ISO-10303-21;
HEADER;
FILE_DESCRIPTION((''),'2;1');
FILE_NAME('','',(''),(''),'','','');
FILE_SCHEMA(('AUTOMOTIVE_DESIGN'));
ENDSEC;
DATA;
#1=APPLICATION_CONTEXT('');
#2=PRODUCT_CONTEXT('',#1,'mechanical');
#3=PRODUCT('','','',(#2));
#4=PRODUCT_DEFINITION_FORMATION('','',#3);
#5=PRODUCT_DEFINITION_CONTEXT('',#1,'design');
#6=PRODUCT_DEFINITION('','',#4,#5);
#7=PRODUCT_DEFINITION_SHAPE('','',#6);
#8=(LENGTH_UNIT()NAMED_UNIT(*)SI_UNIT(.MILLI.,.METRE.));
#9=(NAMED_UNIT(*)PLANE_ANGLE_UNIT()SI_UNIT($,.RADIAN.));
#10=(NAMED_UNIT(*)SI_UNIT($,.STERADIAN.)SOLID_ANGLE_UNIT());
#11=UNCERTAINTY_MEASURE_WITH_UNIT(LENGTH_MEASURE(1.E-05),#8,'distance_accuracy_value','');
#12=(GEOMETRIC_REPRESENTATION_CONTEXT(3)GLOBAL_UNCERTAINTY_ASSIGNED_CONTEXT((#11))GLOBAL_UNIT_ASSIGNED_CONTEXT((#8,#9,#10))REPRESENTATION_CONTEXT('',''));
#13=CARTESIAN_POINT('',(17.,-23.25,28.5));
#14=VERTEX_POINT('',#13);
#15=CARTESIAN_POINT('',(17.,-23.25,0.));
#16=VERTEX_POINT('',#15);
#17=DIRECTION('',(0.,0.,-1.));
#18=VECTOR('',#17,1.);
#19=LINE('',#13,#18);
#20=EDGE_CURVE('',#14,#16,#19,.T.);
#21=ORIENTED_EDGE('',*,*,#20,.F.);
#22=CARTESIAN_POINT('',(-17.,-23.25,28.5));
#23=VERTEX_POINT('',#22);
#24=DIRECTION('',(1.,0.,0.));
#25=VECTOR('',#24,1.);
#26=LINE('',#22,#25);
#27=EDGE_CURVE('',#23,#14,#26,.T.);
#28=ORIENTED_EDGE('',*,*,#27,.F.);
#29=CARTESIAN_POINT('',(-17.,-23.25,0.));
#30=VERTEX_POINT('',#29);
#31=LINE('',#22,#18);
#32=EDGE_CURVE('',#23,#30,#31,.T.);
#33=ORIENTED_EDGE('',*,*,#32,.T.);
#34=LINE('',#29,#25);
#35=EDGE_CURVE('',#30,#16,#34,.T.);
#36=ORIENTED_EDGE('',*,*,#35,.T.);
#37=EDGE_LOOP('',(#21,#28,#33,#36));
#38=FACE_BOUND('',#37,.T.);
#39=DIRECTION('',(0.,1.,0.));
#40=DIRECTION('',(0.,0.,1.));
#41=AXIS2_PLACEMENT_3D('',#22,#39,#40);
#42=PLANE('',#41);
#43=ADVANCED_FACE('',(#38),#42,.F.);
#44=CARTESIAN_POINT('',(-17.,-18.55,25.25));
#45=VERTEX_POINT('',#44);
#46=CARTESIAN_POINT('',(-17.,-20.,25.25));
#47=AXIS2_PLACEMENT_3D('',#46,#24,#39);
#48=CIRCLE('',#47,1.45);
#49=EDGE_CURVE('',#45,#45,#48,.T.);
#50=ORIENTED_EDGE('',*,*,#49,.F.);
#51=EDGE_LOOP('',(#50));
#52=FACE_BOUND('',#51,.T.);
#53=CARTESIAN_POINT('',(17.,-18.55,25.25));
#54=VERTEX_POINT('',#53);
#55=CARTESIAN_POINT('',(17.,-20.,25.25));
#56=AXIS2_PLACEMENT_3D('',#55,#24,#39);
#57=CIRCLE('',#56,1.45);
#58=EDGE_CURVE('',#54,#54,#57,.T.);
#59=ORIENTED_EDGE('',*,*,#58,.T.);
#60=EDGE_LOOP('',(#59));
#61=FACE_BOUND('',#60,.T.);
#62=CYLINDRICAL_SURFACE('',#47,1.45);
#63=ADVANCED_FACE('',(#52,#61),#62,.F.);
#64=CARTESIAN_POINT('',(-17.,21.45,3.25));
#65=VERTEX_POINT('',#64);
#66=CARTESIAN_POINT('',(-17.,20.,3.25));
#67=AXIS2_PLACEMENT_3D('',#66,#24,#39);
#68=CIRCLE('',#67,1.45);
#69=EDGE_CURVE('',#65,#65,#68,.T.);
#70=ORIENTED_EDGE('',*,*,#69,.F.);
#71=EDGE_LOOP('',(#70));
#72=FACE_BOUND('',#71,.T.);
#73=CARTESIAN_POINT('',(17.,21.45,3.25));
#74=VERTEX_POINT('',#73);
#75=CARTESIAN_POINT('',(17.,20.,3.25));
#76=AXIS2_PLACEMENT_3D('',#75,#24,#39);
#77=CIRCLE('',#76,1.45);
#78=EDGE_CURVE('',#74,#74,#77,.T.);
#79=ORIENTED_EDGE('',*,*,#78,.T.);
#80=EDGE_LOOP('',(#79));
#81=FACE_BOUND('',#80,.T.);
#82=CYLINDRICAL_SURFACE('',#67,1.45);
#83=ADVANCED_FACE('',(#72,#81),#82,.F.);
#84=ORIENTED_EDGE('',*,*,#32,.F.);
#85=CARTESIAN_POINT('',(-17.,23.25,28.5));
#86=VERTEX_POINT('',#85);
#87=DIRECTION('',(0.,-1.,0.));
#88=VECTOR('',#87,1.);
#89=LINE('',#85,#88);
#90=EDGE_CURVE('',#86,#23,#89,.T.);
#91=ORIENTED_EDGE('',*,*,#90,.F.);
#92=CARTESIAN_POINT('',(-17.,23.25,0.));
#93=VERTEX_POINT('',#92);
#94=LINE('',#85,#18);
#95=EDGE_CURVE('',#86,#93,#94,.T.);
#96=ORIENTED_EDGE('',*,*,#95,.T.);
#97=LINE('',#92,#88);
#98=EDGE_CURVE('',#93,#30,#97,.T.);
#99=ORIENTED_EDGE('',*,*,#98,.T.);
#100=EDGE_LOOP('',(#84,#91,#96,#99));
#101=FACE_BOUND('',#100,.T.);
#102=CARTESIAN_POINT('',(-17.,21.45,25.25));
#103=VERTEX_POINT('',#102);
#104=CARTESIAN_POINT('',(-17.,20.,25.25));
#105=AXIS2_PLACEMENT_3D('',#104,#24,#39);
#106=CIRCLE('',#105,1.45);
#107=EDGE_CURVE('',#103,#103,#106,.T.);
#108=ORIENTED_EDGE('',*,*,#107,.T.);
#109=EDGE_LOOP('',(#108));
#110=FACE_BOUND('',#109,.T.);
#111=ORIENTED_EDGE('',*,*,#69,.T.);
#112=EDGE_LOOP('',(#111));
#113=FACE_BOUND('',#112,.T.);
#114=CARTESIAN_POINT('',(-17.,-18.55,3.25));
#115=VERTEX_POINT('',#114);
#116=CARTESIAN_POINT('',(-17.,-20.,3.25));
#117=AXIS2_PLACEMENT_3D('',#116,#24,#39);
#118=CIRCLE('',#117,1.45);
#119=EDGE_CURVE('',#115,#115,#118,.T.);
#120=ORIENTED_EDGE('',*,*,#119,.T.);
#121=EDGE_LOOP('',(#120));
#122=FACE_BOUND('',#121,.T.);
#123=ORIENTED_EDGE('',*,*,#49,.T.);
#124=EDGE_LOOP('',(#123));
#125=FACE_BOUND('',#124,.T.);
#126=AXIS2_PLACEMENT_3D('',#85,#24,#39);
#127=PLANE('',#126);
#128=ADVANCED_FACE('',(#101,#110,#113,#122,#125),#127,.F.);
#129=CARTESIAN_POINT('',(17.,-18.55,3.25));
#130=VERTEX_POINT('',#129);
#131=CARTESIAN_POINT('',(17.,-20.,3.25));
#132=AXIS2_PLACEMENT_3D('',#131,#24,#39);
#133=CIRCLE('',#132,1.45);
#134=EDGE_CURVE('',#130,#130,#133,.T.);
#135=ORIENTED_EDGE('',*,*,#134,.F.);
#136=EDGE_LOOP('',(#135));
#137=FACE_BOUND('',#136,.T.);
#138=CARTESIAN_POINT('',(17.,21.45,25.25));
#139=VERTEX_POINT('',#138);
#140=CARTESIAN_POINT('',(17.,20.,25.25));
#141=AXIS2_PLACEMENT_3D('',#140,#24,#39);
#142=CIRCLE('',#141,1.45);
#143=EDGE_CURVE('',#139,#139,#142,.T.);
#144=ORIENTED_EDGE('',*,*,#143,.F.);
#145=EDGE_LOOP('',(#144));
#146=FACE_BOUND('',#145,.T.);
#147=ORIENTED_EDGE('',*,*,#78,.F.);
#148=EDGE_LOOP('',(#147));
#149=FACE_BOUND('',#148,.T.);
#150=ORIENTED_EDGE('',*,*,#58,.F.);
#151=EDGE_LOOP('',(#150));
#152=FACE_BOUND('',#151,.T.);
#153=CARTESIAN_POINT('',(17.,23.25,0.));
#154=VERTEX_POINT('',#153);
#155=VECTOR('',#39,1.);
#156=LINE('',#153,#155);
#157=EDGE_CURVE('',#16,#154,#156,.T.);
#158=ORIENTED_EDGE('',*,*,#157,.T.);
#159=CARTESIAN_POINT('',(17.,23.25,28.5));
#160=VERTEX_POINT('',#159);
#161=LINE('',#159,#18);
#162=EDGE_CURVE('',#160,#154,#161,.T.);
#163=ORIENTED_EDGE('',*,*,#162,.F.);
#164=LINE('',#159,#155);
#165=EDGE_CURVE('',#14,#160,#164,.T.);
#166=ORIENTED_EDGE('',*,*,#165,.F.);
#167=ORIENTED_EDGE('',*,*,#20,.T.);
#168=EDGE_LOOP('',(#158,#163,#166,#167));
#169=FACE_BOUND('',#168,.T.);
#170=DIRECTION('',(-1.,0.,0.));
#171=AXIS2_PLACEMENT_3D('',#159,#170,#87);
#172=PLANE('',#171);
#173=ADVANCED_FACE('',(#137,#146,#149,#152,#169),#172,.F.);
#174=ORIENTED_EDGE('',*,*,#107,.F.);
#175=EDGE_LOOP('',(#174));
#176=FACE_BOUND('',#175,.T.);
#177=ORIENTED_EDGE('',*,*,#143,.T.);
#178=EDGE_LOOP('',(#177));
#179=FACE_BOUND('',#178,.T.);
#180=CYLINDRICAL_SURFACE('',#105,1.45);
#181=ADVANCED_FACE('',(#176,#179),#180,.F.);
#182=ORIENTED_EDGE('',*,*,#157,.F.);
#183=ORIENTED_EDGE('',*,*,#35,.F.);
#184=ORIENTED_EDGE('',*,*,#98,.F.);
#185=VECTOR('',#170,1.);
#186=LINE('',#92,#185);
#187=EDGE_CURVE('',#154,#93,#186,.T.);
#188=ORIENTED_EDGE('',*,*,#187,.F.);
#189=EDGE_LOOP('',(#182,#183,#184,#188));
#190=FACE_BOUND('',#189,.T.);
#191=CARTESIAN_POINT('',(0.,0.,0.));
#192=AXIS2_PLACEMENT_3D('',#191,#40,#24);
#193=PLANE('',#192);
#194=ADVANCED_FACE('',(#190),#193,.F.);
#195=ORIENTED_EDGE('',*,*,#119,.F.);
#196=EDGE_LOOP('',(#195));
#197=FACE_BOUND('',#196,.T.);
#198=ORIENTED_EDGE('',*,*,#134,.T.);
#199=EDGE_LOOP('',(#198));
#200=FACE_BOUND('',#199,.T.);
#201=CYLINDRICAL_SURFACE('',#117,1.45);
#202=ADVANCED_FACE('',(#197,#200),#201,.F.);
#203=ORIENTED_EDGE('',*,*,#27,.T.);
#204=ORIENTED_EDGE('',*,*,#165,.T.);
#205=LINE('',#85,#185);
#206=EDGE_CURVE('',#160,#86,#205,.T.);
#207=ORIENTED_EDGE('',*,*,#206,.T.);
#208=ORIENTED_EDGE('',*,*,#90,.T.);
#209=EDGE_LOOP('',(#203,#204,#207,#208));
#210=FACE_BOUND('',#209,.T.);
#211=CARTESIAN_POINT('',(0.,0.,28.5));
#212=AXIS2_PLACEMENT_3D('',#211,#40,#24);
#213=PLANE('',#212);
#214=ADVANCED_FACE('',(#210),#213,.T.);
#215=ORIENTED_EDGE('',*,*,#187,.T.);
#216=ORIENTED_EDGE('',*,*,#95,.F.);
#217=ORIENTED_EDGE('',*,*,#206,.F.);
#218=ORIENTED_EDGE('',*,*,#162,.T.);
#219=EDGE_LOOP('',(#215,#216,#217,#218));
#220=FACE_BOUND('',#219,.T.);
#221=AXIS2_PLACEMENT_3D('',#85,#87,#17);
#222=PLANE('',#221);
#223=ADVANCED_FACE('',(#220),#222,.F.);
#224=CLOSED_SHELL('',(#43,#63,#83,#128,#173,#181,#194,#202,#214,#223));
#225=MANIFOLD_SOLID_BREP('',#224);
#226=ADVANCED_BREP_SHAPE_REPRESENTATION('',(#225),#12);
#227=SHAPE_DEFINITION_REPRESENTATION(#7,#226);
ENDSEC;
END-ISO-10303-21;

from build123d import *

# Parameters (mm, degrees)
SKETCH1_W           = 34
SKETCH1_H           = 46.5
BOSS_EXTRUDE1_DEPTH = 28.5
SKETCH2_R           = 1.45
CUT_EXTRUDE1_DEPTH  = 51.088047476


with BuildPart() as part:
    # Sketch1 → Boss-Extrude1 (new body)
    with BuildSketch(Plane.XY):
        Rectangle(SKETCH1_W, SKETCH1_H)
    extrude(amount=BOSS_EXTRUDE1_DEPTH)

    # Sketch2 → Cut-Extrude1 (cut, through all)
    with BuildSketch(Plane(origin=(17, 0, 0), x_dir=(0, 0, -1), z_dir=(1, 0, 0))):
        with Locations(Location((-25.25, 20, 0), (0, 0, 90))):
            Circle(SKETCH2_R)
        with Locations(Location((-3.25, 20, 0), (0, 0, 90))):
            Circle(SKETCH2_R)
        with Locations(Location((-3.25, -20, 0), (0, 0, 90))):
            Circle(SKETCH2_R)
        with Locations(Location((-25.25, -20, 0), (0, 0, 90))):
            Circle(SKETCH2_R)
    extrude(amount=-CUT_EXTRUDE1_DEPTH, mode=Mode.SUBTRACT)


solid = part.part
